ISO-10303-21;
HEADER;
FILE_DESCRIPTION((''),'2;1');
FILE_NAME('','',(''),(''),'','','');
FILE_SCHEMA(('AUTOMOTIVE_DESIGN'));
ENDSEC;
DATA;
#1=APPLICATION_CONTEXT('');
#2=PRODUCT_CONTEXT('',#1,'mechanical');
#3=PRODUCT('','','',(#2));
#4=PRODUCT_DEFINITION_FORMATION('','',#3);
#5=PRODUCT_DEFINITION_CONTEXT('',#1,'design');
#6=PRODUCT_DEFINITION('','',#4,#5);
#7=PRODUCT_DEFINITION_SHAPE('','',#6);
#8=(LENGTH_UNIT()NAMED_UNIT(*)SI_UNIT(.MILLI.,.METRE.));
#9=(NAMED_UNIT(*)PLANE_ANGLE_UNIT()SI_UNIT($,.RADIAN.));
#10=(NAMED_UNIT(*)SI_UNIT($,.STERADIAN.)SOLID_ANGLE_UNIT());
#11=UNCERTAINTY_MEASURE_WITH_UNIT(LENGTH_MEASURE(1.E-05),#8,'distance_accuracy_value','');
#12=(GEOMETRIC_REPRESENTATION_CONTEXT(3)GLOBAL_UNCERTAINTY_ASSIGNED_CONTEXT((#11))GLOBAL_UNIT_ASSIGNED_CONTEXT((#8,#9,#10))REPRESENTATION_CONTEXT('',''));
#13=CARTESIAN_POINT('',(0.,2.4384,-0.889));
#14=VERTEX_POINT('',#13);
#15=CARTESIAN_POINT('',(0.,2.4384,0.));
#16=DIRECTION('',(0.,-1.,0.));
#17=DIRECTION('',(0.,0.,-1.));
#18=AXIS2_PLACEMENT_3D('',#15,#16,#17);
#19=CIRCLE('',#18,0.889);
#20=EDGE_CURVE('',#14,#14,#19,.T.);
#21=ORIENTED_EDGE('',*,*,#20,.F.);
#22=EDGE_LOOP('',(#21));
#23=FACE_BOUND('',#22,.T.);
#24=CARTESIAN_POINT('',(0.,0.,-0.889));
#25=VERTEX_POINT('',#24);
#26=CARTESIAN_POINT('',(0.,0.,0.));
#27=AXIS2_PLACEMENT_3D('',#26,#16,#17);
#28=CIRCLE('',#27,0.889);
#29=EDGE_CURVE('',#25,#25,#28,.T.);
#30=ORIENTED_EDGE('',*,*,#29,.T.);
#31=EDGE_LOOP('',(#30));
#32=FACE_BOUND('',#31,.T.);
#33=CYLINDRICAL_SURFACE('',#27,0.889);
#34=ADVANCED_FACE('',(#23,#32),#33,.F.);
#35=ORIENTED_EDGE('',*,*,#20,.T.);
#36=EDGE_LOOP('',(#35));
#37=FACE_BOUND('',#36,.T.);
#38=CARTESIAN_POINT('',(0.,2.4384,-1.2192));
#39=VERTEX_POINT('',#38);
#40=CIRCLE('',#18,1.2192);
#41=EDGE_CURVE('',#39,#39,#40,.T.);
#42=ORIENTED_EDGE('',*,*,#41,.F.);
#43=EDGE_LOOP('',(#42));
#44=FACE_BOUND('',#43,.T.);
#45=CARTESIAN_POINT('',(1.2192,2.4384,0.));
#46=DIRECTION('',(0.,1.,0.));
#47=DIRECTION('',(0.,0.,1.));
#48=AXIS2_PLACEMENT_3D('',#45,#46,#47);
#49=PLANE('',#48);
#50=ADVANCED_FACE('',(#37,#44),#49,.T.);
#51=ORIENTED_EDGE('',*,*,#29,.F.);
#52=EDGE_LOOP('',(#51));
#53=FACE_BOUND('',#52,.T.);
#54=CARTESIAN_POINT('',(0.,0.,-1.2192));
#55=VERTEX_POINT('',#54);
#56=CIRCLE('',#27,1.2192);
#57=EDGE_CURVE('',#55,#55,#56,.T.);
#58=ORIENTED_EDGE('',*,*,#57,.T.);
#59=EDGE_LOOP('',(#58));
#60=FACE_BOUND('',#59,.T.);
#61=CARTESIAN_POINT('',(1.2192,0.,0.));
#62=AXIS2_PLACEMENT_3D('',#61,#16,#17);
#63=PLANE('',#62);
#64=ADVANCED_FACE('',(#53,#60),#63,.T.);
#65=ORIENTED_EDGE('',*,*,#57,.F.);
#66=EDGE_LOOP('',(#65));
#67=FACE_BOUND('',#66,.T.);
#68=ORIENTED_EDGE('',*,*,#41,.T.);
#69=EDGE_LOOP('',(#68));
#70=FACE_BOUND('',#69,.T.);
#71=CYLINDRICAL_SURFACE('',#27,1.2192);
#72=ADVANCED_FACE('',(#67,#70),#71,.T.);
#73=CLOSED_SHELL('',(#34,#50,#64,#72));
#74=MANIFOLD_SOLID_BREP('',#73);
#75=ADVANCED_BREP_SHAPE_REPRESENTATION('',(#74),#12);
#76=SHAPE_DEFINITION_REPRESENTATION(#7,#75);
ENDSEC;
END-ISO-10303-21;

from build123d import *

# Parameters (mm, degrees)
SKETCH1_W = 0.3302
SKETCH1_H = 2.4384


with BuildPart() as part:
    # Sketch1 → Revolve1 (revolve)
    with BuildSketch(Plane.XY, mode=Mode.PRIVATE) as revolve1_sk:
        with Locations((1.0541, 1.2192)):
            Rectangle(SKETCH1_W, SKETCH1_H)
    revolve(revolve1_sk.sketch.rotate(Axis((0, 0, 0), (0, 1, 0)), 90), axis=Axis((0, 0, 0), (0, 1, 0)))


solid = part.part
